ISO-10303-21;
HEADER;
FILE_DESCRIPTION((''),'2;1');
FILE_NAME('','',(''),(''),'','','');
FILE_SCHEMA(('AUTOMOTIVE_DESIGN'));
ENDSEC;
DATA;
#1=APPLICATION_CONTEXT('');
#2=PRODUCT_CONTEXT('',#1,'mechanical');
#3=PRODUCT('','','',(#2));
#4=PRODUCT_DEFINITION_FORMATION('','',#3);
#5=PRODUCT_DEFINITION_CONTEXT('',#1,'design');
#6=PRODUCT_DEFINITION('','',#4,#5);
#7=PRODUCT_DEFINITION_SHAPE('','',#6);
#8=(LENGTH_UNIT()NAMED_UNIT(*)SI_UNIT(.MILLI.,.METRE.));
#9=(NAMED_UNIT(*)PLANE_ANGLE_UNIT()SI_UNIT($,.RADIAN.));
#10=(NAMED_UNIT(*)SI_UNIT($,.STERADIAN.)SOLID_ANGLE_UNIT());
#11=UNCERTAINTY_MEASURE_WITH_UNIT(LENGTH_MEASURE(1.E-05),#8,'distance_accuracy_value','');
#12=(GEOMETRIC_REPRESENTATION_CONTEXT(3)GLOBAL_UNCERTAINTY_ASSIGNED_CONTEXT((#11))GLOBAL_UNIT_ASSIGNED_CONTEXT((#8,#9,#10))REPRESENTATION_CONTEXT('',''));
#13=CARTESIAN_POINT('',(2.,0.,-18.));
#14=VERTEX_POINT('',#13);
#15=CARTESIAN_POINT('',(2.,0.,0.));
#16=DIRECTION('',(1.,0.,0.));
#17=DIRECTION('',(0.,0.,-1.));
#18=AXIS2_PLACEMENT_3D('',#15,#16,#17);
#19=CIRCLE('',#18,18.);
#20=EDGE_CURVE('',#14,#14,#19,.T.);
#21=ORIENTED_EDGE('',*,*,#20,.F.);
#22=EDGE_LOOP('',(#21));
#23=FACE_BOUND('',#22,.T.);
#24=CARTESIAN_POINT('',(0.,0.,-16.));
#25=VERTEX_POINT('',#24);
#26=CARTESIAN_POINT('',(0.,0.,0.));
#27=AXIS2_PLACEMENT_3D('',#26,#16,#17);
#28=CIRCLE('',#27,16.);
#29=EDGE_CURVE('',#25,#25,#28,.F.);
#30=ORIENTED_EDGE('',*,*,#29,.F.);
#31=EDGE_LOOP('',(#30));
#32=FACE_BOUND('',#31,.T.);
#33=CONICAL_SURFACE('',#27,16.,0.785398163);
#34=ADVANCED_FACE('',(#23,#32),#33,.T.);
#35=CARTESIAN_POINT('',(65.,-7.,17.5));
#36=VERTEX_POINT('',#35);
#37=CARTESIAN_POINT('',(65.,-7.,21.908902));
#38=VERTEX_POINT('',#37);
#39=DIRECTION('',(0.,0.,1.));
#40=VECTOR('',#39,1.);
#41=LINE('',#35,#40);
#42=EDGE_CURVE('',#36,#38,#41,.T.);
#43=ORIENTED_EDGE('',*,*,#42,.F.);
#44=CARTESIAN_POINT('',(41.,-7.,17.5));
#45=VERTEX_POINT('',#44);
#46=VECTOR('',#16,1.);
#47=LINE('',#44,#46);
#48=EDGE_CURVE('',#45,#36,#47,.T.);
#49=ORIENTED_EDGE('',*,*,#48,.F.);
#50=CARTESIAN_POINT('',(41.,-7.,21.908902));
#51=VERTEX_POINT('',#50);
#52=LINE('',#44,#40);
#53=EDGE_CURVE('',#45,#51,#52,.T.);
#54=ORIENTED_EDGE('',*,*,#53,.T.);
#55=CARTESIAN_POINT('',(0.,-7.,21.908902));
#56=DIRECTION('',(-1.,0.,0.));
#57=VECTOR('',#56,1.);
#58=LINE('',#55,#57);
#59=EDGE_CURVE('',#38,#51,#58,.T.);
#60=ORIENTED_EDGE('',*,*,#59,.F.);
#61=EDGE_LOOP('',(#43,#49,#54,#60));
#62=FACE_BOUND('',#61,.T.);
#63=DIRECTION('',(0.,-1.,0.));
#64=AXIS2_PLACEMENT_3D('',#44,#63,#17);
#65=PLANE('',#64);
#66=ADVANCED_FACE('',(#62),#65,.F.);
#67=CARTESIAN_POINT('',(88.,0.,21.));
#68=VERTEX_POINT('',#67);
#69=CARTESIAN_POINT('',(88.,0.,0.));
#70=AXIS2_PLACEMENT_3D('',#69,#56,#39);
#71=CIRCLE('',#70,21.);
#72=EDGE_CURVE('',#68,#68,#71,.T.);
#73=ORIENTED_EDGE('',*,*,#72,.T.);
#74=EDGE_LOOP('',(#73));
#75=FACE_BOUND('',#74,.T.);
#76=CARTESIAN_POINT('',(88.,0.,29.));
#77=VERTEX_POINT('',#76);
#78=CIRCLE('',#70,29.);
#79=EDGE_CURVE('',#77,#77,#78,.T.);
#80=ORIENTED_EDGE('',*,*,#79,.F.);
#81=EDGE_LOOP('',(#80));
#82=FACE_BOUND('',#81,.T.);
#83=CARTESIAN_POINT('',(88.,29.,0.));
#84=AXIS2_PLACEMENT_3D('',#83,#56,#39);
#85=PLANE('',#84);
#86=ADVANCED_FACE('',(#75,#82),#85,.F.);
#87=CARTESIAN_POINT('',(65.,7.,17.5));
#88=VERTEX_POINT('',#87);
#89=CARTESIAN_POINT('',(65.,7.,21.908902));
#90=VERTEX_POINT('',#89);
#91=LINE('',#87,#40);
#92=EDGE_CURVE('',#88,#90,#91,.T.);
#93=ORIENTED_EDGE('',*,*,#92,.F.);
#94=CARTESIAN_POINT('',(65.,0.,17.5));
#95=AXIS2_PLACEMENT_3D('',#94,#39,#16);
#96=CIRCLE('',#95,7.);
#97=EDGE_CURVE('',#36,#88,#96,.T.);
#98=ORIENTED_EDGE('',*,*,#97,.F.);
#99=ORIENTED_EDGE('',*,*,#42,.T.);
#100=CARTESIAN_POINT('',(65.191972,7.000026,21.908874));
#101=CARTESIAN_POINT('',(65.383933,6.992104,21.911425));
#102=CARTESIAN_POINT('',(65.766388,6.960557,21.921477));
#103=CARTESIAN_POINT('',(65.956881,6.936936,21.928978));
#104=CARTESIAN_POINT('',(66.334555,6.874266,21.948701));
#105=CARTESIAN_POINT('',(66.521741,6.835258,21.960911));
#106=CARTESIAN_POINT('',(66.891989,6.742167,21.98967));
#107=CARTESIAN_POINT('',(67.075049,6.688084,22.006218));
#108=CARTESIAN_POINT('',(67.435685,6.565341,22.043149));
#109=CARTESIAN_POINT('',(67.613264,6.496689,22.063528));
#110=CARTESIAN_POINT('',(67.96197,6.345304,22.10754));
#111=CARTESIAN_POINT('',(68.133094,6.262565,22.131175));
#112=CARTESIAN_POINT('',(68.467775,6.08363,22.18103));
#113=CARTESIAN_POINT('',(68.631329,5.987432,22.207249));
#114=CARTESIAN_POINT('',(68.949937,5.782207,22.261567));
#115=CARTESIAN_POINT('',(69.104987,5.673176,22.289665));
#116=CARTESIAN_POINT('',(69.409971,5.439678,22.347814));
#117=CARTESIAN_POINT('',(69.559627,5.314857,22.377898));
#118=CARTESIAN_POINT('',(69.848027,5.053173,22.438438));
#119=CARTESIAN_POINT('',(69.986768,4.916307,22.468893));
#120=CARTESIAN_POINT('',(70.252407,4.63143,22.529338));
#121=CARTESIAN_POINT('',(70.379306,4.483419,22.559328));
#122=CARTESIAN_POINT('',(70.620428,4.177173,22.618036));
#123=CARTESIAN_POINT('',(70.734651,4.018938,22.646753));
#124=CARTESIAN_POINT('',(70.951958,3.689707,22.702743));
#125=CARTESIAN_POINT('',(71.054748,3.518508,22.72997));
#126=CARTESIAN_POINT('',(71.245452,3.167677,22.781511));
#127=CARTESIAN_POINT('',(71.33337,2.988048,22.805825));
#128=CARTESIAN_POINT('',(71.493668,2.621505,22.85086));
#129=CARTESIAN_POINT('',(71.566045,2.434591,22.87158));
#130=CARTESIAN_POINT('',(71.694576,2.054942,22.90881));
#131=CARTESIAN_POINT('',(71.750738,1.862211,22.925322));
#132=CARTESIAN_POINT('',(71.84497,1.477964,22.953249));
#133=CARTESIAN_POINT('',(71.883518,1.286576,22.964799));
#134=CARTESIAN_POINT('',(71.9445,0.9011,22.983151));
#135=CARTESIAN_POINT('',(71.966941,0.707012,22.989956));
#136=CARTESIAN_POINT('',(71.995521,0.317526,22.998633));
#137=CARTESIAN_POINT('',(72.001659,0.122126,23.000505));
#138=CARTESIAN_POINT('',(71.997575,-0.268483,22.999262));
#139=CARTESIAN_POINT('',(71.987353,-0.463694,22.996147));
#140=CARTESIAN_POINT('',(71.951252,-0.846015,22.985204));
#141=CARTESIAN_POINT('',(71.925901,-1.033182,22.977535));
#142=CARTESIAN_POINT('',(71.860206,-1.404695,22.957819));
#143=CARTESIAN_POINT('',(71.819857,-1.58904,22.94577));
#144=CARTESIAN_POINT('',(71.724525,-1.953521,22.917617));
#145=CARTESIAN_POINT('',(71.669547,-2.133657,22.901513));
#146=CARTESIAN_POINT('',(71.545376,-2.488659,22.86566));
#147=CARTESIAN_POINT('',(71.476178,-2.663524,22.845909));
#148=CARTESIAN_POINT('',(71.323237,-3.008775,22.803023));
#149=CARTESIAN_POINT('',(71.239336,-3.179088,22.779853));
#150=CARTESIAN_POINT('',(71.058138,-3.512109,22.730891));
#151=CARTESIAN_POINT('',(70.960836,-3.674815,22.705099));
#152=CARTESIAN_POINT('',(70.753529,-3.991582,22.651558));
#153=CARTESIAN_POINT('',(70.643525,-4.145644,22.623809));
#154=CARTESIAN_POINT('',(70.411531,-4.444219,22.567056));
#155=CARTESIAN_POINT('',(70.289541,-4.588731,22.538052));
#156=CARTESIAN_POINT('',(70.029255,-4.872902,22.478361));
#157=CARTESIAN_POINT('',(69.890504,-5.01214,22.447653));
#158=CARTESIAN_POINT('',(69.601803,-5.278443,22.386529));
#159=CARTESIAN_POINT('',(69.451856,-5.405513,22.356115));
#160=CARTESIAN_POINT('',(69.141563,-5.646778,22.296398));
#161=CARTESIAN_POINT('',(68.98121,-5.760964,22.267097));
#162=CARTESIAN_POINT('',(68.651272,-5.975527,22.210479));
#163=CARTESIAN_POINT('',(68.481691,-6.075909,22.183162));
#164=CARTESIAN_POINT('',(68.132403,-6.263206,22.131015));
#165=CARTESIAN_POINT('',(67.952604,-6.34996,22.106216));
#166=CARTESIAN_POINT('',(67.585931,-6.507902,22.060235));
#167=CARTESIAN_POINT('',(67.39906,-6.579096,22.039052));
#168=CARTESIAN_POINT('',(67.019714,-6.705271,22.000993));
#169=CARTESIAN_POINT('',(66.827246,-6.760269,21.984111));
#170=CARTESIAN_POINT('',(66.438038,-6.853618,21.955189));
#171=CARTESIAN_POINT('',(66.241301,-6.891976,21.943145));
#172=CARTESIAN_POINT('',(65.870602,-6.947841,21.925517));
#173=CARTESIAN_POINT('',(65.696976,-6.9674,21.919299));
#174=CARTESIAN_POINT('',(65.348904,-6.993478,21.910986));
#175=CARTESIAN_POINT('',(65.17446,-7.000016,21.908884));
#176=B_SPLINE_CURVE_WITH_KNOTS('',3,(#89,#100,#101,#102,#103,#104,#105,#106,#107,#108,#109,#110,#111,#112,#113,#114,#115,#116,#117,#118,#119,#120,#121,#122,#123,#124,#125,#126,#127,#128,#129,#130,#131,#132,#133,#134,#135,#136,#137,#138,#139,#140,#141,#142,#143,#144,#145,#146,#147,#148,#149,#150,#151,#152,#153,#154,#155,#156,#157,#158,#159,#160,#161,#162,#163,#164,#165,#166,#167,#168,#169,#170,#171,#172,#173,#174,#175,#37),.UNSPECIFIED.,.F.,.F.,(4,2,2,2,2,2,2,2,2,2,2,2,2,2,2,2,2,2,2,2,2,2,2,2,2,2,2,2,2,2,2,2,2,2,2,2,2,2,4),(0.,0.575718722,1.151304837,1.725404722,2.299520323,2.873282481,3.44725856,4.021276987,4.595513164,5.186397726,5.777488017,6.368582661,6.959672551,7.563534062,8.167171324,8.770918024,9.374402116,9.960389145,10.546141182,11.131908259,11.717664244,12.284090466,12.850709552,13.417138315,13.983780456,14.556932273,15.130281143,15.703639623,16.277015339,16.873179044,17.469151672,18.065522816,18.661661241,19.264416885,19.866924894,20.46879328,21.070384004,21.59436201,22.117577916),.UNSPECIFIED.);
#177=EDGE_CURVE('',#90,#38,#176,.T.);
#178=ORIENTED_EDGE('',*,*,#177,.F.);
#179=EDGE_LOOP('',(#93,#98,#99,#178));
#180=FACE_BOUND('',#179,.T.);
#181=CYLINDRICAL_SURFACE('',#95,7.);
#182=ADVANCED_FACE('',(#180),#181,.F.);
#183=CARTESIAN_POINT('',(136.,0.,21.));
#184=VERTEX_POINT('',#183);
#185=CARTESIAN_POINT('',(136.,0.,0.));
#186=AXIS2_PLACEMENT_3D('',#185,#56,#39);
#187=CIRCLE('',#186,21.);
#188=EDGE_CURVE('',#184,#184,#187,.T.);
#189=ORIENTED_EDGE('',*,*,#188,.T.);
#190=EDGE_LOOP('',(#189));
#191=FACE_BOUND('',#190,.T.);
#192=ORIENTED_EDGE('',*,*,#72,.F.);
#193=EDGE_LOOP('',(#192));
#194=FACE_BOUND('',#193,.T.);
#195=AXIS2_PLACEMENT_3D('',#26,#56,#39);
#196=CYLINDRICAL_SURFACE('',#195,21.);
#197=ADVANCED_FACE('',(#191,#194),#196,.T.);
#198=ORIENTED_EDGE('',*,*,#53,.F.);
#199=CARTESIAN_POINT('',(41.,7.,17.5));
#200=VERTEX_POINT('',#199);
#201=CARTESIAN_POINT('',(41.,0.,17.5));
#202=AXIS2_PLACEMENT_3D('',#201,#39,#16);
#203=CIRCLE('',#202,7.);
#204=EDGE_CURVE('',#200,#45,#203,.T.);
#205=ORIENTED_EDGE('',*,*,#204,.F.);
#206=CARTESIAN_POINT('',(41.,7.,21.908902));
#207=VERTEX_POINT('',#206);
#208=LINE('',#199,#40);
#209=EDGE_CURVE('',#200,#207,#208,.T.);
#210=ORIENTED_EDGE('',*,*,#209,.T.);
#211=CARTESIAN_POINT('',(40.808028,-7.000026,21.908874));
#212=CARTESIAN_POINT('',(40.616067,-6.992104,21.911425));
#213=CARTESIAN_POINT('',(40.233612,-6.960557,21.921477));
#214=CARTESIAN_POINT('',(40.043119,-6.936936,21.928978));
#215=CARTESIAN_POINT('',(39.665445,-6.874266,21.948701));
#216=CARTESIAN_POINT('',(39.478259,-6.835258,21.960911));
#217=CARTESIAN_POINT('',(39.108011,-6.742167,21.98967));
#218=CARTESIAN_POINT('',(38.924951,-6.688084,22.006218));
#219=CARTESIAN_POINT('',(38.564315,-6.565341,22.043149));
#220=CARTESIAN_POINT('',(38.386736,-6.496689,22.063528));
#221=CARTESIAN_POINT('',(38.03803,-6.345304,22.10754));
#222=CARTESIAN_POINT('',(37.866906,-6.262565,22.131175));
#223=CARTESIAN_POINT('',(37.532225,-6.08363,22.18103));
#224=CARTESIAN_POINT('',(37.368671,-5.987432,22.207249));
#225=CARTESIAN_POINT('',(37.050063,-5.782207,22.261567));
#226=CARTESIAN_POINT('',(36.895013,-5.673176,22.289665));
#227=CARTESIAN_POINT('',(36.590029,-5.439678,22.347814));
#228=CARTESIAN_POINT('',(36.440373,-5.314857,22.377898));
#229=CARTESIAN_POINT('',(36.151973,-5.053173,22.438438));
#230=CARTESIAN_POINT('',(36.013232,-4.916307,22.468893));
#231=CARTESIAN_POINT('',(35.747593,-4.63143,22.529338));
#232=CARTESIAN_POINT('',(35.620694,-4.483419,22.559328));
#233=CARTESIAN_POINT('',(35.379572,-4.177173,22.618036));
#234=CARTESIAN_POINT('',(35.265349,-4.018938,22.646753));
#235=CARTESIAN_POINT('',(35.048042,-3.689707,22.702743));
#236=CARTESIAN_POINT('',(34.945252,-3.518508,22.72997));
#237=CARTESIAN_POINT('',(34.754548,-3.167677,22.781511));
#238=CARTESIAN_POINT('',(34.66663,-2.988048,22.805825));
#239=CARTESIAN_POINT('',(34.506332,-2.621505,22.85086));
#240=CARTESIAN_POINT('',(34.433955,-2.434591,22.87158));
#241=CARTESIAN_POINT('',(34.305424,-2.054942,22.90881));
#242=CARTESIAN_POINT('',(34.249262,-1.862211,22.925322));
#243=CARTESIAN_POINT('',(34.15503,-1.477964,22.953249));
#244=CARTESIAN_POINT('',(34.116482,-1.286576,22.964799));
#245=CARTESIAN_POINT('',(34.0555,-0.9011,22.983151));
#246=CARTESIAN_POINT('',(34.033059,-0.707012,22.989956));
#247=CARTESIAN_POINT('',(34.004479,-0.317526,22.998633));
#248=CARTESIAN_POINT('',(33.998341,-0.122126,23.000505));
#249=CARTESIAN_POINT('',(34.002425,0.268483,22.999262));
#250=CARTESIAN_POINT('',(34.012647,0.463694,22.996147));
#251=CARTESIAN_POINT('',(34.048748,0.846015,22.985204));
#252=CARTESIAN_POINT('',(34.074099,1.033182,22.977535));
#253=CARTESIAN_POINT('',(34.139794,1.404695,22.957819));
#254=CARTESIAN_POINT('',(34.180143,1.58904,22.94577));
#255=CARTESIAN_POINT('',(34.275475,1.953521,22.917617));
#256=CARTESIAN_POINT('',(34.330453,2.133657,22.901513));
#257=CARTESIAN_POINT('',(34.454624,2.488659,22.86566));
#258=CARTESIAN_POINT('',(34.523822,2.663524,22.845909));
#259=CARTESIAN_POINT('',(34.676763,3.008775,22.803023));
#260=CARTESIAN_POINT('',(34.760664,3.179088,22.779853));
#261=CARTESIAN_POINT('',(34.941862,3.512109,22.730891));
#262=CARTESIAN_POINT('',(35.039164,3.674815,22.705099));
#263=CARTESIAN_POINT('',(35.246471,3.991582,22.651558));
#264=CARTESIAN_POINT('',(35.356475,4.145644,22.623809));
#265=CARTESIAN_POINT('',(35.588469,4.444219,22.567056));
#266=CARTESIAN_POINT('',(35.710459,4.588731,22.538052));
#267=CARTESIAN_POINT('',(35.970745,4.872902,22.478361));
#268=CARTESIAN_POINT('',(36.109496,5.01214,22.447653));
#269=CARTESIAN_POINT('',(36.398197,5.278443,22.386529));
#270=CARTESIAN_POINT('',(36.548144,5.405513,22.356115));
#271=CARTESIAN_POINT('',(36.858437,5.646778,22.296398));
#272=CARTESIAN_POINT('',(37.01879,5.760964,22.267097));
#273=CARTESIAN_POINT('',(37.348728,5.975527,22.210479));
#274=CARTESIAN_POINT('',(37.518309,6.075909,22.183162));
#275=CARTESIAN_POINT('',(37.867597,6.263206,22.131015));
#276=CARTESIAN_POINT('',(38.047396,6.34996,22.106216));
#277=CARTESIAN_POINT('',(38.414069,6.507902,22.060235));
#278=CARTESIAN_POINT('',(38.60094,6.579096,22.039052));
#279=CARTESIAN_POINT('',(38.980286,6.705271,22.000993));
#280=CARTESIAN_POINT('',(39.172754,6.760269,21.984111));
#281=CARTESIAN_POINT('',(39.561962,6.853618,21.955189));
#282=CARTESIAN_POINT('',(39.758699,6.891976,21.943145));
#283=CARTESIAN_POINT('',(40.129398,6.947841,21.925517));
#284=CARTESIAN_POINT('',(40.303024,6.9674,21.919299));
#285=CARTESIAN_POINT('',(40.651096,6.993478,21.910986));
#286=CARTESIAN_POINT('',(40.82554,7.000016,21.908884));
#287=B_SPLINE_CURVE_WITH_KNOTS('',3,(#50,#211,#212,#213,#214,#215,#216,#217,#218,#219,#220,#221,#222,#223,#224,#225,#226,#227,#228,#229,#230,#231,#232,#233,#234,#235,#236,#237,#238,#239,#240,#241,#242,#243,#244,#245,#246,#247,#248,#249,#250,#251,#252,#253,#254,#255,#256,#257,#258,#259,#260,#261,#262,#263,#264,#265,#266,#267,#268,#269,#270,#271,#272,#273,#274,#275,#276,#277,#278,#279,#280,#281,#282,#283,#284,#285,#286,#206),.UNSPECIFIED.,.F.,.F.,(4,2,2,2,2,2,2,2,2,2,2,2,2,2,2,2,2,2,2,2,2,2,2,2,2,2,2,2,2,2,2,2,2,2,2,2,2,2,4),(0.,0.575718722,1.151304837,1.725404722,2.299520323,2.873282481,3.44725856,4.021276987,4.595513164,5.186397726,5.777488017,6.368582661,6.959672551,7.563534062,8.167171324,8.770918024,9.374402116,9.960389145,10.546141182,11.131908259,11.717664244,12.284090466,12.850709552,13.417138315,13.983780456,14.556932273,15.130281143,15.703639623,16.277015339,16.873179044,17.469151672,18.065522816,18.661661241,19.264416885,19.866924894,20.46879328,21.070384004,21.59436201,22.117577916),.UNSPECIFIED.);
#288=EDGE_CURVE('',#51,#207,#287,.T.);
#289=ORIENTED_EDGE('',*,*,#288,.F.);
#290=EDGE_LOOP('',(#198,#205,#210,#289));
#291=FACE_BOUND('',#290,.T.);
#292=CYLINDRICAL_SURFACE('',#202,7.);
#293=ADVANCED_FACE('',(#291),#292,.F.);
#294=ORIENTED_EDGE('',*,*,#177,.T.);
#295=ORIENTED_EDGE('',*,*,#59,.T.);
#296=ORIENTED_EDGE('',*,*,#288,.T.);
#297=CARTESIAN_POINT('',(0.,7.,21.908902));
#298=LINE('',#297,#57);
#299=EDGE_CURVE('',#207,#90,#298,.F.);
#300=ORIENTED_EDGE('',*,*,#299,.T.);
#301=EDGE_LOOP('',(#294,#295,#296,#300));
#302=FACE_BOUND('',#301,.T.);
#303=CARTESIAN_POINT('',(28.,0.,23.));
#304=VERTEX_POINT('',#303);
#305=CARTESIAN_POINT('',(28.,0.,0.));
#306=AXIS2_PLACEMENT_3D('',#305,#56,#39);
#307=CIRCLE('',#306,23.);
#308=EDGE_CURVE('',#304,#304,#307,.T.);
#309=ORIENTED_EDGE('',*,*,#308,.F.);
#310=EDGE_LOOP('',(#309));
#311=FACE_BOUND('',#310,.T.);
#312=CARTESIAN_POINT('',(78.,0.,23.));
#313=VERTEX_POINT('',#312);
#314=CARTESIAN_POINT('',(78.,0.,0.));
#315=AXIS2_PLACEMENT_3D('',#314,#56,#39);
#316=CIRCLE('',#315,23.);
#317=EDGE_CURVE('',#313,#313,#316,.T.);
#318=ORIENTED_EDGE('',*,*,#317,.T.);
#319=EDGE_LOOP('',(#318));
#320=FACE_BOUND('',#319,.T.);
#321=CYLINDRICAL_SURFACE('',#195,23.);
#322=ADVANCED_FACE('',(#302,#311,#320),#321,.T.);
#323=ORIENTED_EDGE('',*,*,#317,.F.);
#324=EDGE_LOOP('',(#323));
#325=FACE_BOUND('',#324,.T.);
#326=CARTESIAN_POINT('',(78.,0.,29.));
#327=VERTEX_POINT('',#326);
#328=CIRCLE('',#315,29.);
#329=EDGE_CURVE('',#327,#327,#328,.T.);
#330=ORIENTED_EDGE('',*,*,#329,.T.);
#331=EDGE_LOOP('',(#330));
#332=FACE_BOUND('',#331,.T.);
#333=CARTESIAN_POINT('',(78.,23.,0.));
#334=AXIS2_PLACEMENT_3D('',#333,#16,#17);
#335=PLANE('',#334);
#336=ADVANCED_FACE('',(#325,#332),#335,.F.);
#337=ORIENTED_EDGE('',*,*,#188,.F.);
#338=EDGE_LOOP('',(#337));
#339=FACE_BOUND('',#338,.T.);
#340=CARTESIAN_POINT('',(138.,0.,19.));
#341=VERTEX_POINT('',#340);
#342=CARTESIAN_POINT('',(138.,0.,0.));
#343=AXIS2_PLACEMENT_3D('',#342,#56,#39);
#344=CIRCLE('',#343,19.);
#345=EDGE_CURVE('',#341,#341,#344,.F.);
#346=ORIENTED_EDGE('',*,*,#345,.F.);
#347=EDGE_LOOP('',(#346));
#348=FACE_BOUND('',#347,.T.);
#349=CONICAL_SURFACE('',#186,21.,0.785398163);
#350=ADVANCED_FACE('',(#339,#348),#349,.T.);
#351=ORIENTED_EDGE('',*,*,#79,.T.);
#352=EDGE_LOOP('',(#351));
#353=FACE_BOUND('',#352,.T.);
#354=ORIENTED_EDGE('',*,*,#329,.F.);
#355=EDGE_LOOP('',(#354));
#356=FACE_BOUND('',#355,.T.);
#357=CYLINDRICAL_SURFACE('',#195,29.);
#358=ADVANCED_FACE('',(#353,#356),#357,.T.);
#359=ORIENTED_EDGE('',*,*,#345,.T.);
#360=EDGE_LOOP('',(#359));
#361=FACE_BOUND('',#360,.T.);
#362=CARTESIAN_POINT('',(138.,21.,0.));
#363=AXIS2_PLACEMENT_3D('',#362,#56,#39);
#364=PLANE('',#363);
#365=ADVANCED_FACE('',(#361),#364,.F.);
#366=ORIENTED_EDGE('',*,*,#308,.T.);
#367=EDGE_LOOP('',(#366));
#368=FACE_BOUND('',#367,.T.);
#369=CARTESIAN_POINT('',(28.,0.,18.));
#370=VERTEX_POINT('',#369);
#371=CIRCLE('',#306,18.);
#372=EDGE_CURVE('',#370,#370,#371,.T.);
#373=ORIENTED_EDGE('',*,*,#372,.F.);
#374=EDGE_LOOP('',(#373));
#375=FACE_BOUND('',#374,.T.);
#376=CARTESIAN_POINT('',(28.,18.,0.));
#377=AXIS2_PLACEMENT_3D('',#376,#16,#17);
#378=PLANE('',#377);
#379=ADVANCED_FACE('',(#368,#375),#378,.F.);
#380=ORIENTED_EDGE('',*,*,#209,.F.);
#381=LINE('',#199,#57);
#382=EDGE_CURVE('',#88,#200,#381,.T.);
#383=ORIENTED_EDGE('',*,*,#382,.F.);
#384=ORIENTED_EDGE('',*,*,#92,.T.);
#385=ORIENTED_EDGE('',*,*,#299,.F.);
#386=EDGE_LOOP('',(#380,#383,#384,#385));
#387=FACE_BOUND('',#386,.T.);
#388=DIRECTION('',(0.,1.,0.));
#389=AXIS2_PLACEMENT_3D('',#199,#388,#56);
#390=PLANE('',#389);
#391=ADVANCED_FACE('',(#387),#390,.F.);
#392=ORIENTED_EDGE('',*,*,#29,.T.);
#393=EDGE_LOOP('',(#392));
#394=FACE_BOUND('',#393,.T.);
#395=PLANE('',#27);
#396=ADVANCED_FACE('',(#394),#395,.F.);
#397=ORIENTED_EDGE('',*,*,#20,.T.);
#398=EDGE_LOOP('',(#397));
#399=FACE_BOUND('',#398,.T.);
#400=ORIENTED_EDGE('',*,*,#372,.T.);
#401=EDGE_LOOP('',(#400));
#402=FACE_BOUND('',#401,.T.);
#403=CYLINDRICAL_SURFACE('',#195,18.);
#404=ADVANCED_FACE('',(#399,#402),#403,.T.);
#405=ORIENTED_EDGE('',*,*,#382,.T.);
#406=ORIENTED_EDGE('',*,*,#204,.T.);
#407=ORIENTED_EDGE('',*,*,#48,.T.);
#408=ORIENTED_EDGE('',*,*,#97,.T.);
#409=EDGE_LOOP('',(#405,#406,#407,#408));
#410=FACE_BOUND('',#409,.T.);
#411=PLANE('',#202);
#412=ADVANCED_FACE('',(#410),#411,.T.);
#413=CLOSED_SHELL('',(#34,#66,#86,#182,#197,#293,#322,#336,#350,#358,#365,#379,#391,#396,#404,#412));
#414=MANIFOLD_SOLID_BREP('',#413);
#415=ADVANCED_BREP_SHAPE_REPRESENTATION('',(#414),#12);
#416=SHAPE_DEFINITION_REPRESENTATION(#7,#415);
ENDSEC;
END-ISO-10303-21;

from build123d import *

# Parameters (mm, degrees)
CUT_EXTRUDE1_DEPTH = 5.5
CHAMFER2_SIZE      = 2


with BuildPart() as part:
    # Sketch1 → Revolve1 (revolve)
    with BuildSketch(Plane.XY):
        Polygon((0, 0), (0, 18), (28, 18), (28, 23), (78, 23), (78, 29), (88, 29), (88, 21), (138, 21), (138, 0), align=None)
    revolve(axis=Axis((0, 0, 0), (1, 0, 0)))

    # Sketch2 → Cut-Extrude1 (cut)
    with BuildSketch(Plane.XY.offset(23)):
        with BuildLine():
            Line((41, 7), (65, 7))
            ThreePointArc((65, 7), (72, 0), (65, -7))
            Line((65, -7), (41, -7))
            ThreePointArc((41, -7), (34, 0), (41, 7))
        make_face()
    extrude(amount=-CUT_EXTRUDE1_DEPTH, mode=Mode.SUBTRACT)

    # Chamfer2
    chamfer2_edges = [part.edges().sort_by_distance(p)[0] for p in [
        (0, -18, 0),
        (138, -21, 0),
    ]]
    chamfer(chamfer2_edges, length=CHAMFER2_SIZE)


solid = part.part
